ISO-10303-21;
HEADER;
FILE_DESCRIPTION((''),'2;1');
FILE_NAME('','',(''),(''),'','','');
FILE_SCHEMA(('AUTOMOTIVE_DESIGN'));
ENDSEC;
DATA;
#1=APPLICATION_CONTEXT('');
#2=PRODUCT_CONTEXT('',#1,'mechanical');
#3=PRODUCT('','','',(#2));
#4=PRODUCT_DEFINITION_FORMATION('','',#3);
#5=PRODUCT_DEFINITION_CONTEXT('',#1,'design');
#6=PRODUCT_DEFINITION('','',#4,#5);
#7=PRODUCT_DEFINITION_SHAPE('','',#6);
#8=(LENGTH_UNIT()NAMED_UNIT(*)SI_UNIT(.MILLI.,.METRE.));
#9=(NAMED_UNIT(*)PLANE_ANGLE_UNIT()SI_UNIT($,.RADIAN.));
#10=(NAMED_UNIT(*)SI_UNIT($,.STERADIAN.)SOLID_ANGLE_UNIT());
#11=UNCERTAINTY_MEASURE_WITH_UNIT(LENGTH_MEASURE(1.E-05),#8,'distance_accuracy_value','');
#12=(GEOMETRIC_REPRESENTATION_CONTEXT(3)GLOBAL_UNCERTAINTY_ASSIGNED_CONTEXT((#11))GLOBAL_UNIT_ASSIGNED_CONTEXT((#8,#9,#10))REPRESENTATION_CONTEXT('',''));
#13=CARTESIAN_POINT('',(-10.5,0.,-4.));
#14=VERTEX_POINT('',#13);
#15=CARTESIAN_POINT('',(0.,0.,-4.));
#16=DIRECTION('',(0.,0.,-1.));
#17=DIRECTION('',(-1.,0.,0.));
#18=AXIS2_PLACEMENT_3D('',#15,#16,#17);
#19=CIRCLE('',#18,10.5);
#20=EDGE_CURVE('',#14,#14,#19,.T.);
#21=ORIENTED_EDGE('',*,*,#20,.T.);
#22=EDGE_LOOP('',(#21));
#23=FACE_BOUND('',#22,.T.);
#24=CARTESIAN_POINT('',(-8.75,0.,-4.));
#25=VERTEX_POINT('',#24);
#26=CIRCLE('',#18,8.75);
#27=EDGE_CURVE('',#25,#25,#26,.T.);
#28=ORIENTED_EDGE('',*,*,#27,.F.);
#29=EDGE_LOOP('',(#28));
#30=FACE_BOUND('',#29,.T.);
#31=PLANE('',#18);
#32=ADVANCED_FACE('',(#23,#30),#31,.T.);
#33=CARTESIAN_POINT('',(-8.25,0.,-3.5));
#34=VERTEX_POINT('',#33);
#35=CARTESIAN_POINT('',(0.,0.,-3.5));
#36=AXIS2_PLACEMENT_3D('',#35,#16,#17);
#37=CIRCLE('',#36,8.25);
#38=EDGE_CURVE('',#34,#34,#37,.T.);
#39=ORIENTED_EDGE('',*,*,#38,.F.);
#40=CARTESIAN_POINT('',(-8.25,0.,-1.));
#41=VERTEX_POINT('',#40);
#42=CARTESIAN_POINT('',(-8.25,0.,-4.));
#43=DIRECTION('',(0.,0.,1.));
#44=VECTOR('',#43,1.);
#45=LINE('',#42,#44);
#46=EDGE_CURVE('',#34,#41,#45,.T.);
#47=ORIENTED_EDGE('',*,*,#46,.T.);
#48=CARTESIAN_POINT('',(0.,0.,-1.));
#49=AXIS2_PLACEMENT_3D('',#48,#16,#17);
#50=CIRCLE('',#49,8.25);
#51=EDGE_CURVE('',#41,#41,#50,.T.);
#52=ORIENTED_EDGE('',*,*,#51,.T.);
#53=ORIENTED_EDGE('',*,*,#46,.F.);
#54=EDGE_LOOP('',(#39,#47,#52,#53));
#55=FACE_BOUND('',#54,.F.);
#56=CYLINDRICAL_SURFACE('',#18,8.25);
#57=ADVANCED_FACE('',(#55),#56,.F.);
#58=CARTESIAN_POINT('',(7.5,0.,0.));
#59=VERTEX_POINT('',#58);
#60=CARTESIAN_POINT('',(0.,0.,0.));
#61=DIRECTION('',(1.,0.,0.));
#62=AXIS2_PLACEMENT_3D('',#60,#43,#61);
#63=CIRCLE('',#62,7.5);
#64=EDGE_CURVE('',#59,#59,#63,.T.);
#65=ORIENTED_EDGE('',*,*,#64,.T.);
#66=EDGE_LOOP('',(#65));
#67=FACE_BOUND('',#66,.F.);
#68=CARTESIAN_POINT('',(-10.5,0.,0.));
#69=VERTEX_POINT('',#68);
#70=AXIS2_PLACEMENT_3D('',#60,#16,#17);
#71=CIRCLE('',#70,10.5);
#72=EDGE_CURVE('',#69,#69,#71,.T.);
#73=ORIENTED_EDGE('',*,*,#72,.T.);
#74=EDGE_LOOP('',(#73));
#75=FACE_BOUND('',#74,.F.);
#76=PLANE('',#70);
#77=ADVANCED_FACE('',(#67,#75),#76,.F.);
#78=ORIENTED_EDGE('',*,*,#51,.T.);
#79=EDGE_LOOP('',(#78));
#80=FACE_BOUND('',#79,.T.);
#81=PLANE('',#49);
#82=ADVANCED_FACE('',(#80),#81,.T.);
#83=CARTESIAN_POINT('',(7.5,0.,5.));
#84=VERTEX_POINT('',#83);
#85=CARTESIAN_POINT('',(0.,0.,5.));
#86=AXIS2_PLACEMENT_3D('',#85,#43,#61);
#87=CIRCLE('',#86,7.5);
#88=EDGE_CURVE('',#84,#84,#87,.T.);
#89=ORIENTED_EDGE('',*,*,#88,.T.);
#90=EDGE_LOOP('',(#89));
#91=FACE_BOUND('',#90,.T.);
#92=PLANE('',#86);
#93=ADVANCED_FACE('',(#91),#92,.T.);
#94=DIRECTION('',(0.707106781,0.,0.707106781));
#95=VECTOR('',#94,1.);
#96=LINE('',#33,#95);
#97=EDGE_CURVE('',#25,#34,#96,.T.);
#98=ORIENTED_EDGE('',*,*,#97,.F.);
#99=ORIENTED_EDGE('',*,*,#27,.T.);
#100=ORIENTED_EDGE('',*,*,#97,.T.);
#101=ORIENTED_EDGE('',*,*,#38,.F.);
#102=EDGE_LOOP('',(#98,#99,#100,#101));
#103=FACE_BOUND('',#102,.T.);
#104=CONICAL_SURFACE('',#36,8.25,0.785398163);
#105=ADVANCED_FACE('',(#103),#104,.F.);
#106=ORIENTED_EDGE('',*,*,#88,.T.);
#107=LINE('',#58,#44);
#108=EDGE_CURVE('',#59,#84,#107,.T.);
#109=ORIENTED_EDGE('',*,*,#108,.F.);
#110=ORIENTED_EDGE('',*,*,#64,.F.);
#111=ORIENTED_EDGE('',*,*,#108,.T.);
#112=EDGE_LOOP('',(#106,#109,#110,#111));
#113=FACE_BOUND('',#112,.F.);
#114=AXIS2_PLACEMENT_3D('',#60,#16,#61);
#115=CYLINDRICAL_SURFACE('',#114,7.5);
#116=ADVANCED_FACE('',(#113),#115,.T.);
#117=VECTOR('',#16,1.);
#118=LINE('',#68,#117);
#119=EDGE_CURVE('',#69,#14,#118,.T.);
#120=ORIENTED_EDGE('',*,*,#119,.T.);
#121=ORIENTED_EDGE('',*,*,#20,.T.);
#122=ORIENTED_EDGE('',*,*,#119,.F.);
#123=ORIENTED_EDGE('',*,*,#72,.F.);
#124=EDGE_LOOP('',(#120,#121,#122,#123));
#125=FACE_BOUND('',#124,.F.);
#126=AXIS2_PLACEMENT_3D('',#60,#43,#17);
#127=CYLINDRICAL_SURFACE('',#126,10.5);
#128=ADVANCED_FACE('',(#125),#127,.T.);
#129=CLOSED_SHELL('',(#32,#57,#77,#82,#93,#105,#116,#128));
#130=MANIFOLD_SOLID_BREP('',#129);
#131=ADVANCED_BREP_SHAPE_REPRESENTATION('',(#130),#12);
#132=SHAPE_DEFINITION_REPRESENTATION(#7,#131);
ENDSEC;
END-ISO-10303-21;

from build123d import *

# Parameters (mm, degrees)
SKETCH1_R           = 7.5
BOSS_EXTRUDE1_DEPTH = 5
SKETCH3_R           = 10.5
BOSS_EXTRUDE2_DEPTH = 4
SKETCH4_R           = 8.25
CUT_EXTRUDE1_DEPTH  = 3
CHAMFER1_SIZE       = 0.5


with BuildPart() as part:
    # Sketch1 → Boss-Extrude1 (new body)
    with BuildSketch(Plane.XY):
        Circle(SKETCH1_R)
    extrude(amount=BOSS_EXTRUDE1_DEPTH)

    # Sketch3 → Boss-Extrude2 (add)
    with BuildSketch(Plane(origin=(0, 0, 0), x_dir=(-1, 0, 0), z_dir=(0, 0, -1))):
        Circle(SKETCH3_R)
    extrude(amount=BOSS_EXTRUDE2_DEPTH)

    # Sketch4 → Cut-Extrude1 (cut)
    with BuildSketch(Plane(origin=(0, 0, -4), x_dir=(-1, 0, 0), z_dir=(0, 0, -1))):
        Circle(SKETCH4_R)
    extrude(amount=-CUT_EXTRUDE1_DEPTH, mode=Mode.SUBTRACT)

    # Chamfer1
    chamfer1_edges = [part.edges().sort_by_distance(p)[0] for p in [
        (8.25, 0, -4),
    ]]
    chamfer(chamfer1_edges, length=CHAMFER1_SIZE)


solid = part.part
